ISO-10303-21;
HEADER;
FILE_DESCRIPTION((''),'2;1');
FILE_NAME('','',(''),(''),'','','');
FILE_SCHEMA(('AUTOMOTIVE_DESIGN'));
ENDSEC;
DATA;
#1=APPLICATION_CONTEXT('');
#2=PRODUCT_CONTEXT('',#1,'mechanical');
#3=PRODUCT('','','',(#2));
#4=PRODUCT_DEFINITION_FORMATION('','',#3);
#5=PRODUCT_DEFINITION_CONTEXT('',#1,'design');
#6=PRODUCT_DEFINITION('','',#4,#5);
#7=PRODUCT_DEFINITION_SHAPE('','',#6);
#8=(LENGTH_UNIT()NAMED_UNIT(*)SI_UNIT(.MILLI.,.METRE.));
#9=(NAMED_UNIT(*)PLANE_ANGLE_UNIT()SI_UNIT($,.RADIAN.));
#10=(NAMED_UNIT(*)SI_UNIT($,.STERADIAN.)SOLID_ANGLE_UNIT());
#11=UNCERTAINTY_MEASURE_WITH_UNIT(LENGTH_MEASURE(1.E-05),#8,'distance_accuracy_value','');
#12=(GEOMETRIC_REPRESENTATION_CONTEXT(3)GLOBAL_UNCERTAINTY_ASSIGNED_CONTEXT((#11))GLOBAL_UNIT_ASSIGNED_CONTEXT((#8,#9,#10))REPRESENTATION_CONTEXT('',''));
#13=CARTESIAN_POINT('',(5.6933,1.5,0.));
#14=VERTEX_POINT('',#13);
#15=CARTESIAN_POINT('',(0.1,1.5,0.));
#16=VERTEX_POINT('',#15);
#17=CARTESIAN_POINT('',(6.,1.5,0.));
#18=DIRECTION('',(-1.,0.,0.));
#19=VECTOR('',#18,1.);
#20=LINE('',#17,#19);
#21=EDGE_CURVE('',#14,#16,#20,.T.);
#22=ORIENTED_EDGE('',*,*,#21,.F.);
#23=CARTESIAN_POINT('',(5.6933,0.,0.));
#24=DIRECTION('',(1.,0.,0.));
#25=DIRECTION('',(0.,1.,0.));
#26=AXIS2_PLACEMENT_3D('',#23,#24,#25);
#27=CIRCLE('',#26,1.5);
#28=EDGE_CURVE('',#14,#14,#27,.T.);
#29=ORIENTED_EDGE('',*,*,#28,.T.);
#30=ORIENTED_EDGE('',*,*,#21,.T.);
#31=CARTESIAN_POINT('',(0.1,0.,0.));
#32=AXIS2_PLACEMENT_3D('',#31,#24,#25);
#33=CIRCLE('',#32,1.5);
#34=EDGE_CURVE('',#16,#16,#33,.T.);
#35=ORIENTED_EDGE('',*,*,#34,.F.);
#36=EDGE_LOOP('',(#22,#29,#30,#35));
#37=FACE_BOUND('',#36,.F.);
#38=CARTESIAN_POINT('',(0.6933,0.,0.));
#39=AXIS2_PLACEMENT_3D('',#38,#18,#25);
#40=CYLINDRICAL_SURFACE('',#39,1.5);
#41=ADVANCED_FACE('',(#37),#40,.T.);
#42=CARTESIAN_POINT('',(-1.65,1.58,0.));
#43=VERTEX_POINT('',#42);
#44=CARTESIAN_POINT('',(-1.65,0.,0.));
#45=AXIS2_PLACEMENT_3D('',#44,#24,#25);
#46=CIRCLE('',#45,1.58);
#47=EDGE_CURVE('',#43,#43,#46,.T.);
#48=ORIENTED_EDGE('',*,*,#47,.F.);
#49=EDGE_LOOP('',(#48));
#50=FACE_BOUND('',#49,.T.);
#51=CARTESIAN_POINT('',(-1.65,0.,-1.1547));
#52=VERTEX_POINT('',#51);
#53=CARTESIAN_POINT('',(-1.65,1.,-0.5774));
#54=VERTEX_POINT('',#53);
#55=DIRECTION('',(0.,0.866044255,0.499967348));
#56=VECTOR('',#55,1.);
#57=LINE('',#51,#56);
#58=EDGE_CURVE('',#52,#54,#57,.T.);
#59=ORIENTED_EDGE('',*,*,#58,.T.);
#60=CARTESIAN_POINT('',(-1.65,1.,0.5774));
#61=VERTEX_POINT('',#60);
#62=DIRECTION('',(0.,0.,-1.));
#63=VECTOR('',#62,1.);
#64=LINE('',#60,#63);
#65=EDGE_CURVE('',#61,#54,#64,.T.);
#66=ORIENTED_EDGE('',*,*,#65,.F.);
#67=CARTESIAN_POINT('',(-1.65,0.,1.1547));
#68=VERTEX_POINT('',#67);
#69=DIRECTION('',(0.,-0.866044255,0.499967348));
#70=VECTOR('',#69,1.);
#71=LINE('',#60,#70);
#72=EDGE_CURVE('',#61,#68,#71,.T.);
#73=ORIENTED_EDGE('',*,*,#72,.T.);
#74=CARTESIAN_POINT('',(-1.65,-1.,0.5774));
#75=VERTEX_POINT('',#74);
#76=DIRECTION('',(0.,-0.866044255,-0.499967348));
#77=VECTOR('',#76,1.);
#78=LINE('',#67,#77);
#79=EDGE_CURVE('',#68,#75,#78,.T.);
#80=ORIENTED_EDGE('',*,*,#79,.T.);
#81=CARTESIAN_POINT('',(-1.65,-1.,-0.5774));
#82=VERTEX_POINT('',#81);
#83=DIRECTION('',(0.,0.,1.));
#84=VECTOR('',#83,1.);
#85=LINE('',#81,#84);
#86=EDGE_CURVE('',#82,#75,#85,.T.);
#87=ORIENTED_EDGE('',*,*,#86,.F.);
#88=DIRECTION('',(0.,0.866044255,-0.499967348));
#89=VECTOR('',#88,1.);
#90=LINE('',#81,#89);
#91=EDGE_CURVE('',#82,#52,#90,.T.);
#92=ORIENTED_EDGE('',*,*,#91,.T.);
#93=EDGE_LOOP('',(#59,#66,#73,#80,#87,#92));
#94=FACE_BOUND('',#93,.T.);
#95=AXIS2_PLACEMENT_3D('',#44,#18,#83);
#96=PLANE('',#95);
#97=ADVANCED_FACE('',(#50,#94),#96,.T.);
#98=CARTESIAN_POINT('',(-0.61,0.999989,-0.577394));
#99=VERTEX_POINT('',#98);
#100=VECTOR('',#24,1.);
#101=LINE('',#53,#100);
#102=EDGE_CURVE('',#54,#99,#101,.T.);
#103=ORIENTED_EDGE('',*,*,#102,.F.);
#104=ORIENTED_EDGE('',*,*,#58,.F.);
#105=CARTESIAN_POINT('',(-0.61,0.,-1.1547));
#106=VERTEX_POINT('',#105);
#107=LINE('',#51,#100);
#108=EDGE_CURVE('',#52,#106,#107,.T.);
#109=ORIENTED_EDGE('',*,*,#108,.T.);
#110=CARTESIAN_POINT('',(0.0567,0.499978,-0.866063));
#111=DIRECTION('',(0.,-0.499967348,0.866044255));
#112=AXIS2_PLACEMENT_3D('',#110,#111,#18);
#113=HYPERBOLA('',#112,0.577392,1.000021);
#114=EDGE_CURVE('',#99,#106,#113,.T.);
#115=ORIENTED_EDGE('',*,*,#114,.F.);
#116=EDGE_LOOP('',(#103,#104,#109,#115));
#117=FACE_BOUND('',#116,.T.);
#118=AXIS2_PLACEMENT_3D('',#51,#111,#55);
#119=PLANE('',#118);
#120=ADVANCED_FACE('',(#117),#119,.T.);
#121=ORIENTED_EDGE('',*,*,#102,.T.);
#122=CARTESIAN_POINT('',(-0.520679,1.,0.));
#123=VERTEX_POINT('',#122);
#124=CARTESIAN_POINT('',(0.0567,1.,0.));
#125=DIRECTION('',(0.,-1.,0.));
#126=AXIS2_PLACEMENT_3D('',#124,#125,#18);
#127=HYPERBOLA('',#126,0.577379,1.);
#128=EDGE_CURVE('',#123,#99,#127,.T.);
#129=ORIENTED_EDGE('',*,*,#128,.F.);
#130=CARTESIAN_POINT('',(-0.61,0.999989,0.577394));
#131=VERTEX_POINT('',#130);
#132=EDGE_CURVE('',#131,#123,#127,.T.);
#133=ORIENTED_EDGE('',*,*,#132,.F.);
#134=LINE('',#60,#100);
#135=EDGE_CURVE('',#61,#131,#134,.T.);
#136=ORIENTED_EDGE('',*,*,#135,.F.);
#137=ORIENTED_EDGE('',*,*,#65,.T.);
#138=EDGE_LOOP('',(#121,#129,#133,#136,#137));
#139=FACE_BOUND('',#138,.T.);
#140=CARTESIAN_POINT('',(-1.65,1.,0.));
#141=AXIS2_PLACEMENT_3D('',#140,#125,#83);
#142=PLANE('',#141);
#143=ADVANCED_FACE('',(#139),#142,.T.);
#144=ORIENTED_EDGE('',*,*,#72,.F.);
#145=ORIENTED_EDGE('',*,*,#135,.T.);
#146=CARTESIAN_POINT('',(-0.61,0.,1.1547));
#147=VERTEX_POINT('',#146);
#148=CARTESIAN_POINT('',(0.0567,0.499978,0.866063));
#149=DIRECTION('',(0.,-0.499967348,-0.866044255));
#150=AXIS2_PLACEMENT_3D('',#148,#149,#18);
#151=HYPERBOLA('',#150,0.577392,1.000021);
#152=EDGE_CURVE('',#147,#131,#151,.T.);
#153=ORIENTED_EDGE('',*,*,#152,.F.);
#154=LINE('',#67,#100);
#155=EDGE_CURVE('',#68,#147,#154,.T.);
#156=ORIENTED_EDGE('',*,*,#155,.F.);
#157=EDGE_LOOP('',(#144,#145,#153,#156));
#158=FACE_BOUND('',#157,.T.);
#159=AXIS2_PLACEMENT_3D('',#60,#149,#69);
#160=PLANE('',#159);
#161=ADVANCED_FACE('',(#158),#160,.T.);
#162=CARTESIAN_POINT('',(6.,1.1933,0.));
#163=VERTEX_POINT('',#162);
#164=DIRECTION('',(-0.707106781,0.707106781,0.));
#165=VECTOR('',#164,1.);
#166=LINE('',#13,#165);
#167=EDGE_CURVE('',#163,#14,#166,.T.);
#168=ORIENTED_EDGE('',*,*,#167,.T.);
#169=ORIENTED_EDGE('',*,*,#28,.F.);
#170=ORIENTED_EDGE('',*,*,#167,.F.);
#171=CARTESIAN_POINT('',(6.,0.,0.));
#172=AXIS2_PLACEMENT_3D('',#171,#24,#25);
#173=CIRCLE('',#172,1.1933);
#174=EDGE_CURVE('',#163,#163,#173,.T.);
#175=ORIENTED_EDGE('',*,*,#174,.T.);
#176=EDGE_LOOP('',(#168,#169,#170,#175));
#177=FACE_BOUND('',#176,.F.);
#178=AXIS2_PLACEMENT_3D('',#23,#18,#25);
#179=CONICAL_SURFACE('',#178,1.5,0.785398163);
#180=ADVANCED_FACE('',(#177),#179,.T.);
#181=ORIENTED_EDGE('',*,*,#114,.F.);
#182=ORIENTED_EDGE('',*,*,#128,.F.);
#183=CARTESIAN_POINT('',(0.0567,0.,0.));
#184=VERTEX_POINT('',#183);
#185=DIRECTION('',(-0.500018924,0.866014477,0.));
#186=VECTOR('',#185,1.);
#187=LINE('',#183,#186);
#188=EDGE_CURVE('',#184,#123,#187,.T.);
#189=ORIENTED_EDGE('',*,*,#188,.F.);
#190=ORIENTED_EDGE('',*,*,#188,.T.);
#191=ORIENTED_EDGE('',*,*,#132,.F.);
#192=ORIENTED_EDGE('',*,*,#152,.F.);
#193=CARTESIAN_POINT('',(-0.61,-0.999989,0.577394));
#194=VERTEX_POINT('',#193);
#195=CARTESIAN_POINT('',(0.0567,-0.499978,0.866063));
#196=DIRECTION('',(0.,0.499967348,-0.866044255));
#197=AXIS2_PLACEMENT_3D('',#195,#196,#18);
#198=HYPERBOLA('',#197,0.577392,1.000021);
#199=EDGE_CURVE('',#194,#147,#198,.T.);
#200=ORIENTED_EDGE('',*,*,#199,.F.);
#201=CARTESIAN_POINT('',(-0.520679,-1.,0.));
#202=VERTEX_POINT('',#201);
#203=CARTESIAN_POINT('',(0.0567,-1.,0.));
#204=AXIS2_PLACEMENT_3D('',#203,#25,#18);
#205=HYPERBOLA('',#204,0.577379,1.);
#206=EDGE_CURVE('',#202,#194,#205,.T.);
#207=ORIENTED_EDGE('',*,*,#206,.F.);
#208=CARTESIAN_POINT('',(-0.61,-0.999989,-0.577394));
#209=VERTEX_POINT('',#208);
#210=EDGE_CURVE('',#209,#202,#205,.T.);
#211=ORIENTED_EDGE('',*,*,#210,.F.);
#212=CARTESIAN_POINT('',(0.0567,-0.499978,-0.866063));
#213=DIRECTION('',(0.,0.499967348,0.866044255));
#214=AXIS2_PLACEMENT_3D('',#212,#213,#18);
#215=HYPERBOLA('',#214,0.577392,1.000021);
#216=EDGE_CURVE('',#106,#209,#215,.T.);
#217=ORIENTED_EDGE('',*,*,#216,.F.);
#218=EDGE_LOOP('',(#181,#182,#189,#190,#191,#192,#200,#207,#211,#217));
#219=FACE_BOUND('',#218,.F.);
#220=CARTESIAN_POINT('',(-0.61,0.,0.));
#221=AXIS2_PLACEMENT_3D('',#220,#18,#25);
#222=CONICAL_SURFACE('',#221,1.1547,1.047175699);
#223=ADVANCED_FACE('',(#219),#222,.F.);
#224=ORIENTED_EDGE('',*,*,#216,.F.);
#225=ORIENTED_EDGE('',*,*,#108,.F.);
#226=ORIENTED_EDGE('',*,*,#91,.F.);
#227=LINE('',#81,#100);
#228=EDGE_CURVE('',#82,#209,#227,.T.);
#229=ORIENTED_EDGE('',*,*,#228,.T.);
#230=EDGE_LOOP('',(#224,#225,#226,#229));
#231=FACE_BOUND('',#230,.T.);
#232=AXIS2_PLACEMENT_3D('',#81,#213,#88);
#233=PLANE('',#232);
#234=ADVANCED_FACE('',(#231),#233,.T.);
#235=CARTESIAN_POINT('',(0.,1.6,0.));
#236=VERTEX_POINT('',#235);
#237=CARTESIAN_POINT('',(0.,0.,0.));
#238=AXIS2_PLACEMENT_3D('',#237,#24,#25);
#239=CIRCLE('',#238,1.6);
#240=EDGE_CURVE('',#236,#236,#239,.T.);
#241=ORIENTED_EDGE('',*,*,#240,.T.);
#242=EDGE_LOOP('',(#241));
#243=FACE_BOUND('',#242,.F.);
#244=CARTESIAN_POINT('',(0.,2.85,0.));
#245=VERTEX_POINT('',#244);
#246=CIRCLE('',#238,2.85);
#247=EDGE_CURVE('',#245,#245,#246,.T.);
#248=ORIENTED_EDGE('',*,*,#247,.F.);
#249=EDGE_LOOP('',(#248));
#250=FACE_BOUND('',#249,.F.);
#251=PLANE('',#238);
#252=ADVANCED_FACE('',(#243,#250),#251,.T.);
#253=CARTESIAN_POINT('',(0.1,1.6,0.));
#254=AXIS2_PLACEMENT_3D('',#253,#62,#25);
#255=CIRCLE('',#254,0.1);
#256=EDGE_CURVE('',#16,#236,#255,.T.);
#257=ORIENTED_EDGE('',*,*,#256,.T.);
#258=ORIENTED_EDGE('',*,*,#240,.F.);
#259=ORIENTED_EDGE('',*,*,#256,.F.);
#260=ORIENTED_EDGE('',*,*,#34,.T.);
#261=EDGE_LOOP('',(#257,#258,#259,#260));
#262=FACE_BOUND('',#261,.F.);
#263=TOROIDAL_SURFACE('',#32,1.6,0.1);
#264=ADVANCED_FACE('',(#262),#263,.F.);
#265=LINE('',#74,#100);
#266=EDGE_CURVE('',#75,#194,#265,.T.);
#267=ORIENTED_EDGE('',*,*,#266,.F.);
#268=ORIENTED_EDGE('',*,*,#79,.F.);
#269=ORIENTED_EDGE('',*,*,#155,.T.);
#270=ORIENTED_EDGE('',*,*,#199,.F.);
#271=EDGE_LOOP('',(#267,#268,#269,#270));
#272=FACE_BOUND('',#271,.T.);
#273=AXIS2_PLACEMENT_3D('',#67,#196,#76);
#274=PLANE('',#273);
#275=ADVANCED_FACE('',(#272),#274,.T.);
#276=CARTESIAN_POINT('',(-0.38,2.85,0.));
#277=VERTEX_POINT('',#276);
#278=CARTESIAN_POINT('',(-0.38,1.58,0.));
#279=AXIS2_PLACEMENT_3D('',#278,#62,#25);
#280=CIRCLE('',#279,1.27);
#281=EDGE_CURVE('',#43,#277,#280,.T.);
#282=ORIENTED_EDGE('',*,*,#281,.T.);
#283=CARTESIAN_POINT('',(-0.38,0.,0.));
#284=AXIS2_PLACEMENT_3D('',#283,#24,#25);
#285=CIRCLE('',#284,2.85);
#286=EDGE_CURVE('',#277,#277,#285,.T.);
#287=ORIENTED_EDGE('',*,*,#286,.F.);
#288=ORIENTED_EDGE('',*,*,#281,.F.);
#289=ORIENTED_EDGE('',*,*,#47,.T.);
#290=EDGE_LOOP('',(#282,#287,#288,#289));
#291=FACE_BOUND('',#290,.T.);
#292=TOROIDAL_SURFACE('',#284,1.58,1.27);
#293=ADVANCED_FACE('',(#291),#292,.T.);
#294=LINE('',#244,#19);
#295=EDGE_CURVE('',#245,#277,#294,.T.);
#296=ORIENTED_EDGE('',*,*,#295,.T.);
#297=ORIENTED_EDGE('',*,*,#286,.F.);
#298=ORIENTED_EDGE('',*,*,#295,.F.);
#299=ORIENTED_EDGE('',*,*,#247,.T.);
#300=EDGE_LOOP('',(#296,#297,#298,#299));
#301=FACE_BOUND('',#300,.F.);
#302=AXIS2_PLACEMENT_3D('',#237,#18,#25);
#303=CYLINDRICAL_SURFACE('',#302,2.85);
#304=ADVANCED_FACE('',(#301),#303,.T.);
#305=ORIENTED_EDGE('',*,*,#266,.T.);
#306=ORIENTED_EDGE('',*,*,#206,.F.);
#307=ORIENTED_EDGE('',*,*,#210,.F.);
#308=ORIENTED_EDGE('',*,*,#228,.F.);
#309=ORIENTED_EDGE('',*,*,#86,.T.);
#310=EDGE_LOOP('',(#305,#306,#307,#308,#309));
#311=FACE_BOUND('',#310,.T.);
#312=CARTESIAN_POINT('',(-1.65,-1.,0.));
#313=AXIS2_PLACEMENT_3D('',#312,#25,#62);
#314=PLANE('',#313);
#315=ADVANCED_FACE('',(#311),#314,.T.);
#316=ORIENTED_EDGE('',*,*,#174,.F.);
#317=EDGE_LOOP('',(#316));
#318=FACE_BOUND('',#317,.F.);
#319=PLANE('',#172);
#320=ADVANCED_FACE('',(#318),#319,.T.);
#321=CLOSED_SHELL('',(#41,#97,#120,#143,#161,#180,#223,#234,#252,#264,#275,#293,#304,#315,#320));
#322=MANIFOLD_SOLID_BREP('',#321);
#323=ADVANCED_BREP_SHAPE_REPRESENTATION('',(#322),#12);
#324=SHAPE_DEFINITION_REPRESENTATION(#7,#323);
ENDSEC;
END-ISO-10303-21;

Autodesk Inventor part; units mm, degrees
ref_plane "YZ Plane" through (0, 0, 0) normal (1, 0, 0) x (0, 1, 0)
ref_plane "XZ Plane" through (0, 0, 0) normal (0, 1, 0) x (-1, 0, 0)
sketch "Sketch1" plane through (0, 0, 0) normal (0, 0, 1) x (1, 0, 0)
  line L0 (0.0567, 0) -> (6, 0)
  line L1 (6, 0) -> (6, 1.5)
  line L2 (6, 1.5) -> (1, 1.5)
  line L3 (1, 1.5) -> (0.6933, 1.5)
  line L4 (0.6933, 1.5) -> (0, 1.5)
  line L5 (0, 1.5) -> (0, 2.85)
  line L6 (0, 2.85) -> (-1.65, 2.85)
  line L7 (-1.65, 2.85) -> (-1.65, 1.1547)
  line L8 (-1.65, 1.1547) -> (-0.61, 1.1547)
  line L9 (-0.61, 1.1547) -> (0.0567, 0)
  line L10 (-3.18, 0) -> (7.53, 0) projected
  line L11 (0, -0.57) -> (0, 3.42) projected
  line L12 (1, 1.5) -> (0, 1.5) construction
  dimension "d0" = 5
  dimension "d1" = 0.3067
  dimension "d2" = 1.65
  dimension "d3" = 1.04
  dimension "d4" = 60
  dimension "d5" = 3
  dimension "d6" = 3
  dimension "d7" = 2.3094
  dimension "d8" = 5.7
  dimension "d19" = 6
revolve "Body" add sketch "Sketch1" angle 360 about axis through (0.0567, 0, 0) along (1, 0, 0) contours L9 L11 L4 L3 L2 L1 L0 | L9 L8 L7 L6 L5 L11
sketch "Sketch2" plane through (-1.65, 0, 0) normal (-1, 0, 0) x (0, 0, 1)
  circle A0 centre (0, 0) radius 1.1547 projected
  line L0 (0, -3.99) -> (0, 3.99) projected
  line L1 (-3.99, 0) -> (3.99, 0) projected
  line L2 (1.1547, 0) -> (0.5774, -1)
  line L3 (0.5774, -1) -> (-0.5774, -1)
  line L4 (-0.5774, -1) -> (-1.1547, 0)
  line L5 (-1.1547, 0) -> (-0.5774, 1)
  line L6 (-0.5774, 1) -> (0.5774, 1)
  line L7 (0.5774, 1) -> (1.1547, 0)
extrude "Slot" add sketch "Sketch2" against normal up to next contours L7 A0 | A0 L2 | L6 L0 A0 | A0 L0 L3 | L0 L6 A0 | A0 L3 L0 | L4 A0 | A0 L5
fillet "Fillet1" radius 1.27 1 edges at (-1.65, -2.85, 0)
thread "Thread" size "M3x0.5" class "4g6g" standard "ANSI Metric M Profile" length 5
chamfer "Chamfer1" distance 0.3067 distance2 0.3067 1 edges at (6, -1.5, 0) measured on face at (6, -0.2617, -0.7882)
fillet "Fillet2" radius 0.1 1 edges at (0, -1.5, 0)
ref_plane "Work Plane1" through (30, 0, 0) normal (0, -0.5, 0.866) x (1, 0, 0)
equation "\"d0\" = GEL"
equation "\"d1\" = GAL"
equation "\"d2\" = KOH"
equation "\"d3\" = INTI"
equation "\"d5\" = GD"
equation "\"d6\" = BDM"
equation "\"d7\" = 1.1547 * SW"
equation "\"d8\" = KOD"
equation "\"d19\" = NLG"
equation "\"d16\" = RR"
equation "\"d12\" = GEL"
equation "\"d14\" = -0.5 * SPD + 0.5 * GD"
equation "\"d15\" = GUL"
equation "\"d29\" = R"
equation "\"GD\" = NND"
equation "\"NLG\" = 6"
equation "\"GEL\" = 5"
equation "\"KOD\" = 5.7"
equation "\"KOH\" = 1.65"
equation "\"INTI\" = 1.04"
equation "\"GAL\" = 0.61345 * PTC"
equation "\"GUL\" = 0.61345 * PTC"
equation "\"BDM\" = NND"
equation "\"SW\" = 2"
equation "\"RR\" = 1.27"
equation "\"SPD\" = 2.38655"
equation "\"d28\" = R"
equation "\"R\" = 0.1"
equation "\"TOA\" = 30deg"
equation "\"THREADDIA\" = 3"
equation "\"KOD1\" = KOD - 2 * RR"
equation "\"PTC\" = 0.5"
equation "\"NND\" = 3"
equation "\"E0\" = 1.155 * SW"
equation "\"GD1\" = THREADDIA - 1.2269 * PTC"
properties part number "ANSI B18.3.4M - M3 x 0.5 x 6, FHSBHCSM" material "Steel, Mild"
